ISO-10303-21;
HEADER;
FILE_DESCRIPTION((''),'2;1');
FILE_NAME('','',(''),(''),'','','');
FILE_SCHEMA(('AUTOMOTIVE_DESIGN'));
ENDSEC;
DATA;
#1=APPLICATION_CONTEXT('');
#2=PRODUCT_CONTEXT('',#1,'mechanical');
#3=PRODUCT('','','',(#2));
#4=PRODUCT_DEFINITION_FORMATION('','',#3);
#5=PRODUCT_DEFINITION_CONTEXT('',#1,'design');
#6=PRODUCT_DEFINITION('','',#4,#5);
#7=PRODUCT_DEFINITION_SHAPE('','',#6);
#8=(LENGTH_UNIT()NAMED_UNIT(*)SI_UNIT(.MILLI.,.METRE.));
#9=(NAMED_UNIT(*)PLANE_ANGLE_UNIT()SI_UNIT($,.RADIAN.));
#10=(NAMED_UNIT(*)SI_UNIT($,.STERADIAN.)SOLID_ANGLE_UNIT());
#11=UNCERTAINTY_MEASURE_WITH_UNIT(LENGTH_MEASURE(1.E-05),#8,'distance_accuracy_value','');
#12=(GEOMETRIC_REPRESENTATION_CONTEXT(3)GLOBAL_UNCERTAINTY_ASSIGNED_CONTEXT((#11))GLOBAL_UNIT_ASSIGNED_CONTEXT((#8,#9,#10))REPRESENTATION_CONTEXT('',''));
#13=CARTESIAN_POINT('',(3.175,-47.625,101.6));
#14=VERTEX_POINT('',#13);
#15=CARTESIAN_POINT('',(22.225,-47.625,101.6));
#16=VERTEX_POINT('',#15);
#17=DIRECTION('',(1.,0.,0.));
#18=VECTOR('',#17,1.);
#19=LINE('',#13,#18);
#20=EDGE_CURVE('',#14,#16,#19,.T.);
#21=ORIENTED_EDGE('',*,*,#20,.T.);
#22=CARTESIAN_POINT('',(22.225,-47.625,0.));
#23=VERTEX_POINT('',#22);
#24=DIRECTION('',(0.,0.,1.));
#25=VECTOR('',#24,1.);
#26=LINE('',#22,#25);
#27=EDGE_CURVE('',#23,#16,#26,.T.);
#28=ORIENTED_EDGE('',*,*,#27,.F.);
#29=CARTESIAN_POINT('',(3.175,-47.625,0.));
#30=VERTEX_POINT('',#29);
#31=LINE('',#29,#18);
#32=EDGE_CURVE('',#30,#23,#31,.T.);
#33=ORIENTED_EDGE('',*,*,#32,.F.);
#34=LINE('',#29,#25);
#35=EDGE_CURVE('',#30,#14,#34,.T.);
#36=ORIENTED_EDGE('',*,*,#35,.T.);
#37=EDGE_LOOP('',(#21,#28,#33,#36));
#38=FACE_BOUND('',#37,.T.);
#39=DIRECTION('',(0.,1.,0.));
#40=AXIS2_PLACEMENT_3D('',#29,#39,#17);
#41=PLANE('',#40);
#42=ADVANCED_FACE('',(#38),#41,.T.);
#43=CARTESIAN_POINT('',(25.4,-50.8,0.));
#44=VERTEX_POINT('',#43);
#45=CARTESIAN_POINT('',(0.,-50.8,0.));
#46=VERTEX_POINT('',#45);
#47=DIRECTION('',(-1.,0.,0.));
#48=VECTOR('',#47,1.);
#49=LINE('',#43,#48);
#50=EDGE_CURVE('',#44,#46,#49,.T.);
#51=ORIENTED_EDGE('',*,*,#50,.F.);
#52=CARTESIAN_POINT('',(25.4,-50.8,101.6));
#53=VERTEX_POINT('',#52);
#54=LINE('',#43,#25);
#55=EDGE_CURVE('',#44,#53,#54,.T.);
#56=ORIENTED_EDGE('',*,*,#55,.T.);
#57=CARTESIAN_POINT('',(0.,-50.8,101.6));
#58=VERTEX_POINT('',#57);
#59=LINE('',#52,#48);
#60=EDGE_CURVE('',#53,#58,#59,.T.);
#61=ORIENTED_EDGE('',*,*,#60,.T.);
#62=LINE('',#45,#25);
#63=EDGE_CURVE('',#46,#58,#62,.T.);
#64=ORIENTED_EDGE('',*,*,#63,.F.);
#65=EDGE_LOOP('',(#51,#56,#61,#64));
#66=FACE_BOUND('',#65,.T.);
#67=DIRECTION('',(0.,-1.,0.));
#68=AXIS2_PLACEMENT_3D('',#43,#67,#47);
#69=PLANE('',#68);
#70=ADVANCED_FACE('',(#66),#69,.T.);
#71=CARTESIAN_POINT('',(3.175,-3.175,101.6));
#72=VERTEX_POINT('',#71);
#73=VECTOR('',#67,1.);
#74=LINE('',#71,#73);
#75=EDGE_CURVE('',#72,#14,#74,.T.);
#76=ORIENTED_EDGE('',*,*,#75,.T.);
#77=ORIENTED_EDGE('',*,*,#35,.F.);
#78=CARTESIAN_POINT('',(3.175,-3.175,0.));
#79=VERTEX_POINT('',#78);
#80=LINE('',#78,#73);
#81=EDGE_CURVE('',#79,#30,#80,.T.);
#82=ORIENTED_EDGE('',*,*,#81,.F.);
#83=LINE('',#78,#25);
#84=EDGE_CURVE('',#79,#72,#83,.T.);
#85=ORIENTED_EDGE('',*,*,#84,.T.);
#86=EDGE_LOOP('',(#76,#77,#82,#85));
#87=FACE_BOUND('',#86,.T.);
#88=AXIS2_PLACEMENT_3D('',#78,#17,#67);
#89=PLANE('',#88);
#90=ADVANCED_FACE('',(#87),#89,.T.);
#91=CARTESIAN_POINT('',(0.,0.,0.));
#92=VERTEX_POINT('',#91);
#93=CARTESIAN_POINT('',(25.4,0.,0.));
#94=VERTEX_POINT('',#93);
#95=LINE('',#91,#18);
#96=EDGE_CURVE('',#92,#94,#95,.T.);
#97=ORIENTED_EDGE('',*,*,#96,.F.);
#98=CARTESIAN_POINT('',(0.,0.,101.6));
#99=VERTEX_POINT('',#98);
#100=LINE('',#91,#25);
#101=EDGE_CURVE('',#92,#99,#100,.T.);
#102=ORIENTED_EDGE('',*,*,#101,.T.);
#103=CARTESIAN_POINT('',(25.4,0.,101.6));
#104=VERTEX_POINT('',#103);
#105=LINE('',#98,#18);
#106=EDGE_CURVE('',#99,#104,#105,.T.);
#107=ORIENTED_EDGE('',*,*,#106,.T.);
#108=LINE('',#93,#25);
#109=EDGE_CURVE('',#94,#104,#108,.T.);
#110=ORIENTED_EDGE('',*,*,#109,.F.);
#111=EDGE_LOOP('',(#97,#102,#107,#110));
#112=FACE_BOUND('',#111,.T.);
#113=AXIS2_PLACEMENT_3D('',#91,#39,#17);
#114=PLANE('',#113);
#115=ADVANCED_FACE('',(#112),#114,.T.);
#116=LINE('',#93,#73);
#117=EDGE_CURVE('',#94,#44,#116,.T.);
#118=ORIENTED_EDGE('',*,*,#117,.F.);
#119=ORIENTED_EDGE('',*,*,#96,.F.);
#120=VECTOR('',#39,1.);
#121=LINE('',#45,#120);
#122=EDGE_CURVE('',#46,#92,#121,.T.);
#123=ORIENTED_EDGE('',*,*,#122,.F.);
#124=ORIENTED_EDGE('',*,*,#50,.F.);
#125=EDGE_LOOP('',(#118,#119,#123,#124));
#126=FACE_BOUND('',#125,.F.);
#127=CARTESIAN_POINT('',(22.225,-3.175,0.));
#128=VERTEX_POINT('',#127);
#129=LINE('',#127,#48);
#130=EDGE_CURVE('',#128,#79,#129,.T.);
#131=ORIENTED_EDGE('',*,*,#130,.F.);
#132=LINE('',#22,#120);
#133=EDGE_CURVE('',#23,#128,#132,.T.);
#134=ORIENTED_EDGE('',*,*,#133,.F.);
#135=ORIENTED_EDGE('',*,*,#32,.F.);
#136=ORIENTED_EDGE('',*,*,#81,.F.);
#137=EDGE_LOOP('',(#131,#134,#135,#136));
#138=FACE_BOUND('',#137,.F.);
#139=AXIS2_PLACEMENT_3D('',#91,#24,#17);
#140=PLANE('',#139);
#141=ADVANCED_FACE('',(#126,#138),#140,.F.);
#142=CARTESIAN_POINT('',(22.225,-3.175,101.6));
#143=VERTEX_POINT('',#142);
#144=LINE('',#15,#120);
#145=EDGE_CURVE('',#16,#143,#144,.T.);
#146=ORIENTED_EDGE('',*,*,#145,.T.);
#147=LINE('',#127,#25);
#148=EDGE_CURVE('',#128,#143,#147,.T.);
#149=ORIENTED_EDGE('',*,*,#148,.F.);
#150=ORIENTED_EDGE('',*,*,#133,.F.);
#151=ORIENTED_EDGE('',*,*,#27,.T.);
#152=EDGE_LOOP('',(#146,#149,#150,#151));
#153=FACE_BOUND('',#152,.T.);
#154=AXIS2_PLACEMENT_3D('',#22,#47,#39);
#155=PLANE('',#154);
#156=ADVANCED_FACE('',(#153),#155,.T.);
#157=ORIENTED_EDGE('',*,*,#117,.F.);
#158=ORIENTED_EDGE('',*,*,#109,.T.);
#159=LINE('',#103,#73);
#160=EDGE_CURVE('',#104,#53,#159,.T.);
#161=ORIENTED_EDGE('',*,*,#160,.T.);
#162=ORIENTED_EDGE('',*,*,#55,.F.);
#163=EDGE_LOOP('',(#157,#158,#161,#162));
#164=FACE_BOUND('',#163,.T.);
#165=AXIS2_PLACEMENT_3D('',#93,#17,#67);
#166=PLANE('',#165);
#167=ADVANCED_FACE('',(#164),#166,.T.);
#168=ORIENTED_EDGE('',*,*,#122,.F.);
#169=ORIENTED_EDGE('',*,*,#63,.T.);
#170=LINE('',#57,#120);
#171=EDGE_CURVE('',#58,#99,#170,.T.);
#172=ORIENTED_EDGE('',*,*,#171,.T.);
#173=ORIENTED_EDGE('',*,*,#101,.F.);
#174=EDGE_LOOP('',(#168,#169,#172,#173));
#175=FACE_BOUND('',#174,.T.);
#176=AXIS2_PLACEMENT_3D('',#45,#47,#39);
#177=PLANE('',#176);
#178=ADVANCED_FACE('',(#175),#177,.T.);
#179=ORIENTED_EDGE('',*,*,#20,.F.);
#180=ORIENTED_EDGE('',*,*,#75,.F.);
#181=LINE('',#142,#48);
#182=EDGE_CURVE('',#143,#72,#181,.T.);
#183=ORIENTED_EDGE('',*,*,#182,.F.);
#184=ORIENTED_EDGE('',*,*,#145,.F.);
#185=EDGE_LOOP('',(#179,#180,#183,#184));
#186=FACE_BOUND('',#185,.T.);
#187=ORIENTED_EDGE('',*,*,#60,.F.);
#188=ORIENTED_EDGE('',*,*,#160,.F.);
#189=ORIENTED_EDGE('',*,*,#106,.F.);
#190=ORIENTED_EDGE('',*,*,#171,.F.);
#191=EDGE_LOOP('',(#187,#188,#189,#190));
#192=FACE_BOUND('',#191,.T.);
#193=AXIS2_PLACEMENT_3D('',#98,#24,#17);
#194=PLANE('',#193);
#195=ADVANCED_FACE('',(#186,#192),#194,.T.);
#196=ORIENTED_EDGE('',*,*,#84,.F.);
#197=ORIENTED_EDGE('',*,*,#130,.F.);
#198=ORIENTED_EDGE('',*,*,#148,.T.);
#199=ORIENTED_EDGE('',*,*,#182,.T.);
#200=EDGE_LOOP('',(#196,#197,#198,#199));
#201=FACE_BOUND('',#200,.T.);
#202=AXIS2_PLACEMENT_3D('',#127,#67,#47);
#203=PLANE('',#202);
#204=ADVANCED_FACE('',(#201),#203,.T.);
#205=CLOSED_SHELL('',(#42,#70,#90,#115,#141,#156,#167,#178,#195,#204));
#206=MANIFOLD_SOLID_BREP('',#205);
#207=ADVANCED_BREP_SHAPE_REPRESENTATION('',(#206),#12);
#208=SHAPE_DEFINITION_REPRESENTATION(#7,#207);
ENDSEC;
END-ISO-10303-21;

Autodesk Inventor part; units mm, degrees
ref_plane "YZ Plane" through (0, 0, 0) normal (1, 0, 0) x (0, 1, 0)
ref_plane "XZ Plane" through (0, 0, 0) normal (0, 1, 0) x (-1, 0, 0)
ref_plane "XY Plane" through (0, 0, 0) normal (0, 0, 1) x (1, 0, 0)
sketch "Sketch1" plane through (0, 0, 0) normal (0, 0, 1) x (1, 0, 0)
  line L0 (0, 0) -> (25.4, 0)
  line L1 (25.4, 0) -> (25.4, -50.8)
  line L2 (25.4, -50.8) -> (0, -50.8)
  line L3 (0, -50.8) -> (0, 0)
  line L4 (22.225, -3.175) -> (3.175, -3.175)
  line L5 (3.175, -3.175) -> (3.175, -47.625)
  line L6 (3.175, -47.625) -> (22.225, -47.625)
  line L7 (22.225, -47.625) -> (22.225, -3.175)
  dimension "d0" = 25.4
  dimension "d1" = 50.8
  dimension "d2" = 3.175
extrude "Extrusion1" add sketch "Sketch1" along normal blind 101.6
sketch "Sketch2" plane through (25.4, -50.8, 0) normal (1, 0, 0) x (0, 0, -1)
  point P0 (0, 50.8)
properties part number "C 5.5 in"
